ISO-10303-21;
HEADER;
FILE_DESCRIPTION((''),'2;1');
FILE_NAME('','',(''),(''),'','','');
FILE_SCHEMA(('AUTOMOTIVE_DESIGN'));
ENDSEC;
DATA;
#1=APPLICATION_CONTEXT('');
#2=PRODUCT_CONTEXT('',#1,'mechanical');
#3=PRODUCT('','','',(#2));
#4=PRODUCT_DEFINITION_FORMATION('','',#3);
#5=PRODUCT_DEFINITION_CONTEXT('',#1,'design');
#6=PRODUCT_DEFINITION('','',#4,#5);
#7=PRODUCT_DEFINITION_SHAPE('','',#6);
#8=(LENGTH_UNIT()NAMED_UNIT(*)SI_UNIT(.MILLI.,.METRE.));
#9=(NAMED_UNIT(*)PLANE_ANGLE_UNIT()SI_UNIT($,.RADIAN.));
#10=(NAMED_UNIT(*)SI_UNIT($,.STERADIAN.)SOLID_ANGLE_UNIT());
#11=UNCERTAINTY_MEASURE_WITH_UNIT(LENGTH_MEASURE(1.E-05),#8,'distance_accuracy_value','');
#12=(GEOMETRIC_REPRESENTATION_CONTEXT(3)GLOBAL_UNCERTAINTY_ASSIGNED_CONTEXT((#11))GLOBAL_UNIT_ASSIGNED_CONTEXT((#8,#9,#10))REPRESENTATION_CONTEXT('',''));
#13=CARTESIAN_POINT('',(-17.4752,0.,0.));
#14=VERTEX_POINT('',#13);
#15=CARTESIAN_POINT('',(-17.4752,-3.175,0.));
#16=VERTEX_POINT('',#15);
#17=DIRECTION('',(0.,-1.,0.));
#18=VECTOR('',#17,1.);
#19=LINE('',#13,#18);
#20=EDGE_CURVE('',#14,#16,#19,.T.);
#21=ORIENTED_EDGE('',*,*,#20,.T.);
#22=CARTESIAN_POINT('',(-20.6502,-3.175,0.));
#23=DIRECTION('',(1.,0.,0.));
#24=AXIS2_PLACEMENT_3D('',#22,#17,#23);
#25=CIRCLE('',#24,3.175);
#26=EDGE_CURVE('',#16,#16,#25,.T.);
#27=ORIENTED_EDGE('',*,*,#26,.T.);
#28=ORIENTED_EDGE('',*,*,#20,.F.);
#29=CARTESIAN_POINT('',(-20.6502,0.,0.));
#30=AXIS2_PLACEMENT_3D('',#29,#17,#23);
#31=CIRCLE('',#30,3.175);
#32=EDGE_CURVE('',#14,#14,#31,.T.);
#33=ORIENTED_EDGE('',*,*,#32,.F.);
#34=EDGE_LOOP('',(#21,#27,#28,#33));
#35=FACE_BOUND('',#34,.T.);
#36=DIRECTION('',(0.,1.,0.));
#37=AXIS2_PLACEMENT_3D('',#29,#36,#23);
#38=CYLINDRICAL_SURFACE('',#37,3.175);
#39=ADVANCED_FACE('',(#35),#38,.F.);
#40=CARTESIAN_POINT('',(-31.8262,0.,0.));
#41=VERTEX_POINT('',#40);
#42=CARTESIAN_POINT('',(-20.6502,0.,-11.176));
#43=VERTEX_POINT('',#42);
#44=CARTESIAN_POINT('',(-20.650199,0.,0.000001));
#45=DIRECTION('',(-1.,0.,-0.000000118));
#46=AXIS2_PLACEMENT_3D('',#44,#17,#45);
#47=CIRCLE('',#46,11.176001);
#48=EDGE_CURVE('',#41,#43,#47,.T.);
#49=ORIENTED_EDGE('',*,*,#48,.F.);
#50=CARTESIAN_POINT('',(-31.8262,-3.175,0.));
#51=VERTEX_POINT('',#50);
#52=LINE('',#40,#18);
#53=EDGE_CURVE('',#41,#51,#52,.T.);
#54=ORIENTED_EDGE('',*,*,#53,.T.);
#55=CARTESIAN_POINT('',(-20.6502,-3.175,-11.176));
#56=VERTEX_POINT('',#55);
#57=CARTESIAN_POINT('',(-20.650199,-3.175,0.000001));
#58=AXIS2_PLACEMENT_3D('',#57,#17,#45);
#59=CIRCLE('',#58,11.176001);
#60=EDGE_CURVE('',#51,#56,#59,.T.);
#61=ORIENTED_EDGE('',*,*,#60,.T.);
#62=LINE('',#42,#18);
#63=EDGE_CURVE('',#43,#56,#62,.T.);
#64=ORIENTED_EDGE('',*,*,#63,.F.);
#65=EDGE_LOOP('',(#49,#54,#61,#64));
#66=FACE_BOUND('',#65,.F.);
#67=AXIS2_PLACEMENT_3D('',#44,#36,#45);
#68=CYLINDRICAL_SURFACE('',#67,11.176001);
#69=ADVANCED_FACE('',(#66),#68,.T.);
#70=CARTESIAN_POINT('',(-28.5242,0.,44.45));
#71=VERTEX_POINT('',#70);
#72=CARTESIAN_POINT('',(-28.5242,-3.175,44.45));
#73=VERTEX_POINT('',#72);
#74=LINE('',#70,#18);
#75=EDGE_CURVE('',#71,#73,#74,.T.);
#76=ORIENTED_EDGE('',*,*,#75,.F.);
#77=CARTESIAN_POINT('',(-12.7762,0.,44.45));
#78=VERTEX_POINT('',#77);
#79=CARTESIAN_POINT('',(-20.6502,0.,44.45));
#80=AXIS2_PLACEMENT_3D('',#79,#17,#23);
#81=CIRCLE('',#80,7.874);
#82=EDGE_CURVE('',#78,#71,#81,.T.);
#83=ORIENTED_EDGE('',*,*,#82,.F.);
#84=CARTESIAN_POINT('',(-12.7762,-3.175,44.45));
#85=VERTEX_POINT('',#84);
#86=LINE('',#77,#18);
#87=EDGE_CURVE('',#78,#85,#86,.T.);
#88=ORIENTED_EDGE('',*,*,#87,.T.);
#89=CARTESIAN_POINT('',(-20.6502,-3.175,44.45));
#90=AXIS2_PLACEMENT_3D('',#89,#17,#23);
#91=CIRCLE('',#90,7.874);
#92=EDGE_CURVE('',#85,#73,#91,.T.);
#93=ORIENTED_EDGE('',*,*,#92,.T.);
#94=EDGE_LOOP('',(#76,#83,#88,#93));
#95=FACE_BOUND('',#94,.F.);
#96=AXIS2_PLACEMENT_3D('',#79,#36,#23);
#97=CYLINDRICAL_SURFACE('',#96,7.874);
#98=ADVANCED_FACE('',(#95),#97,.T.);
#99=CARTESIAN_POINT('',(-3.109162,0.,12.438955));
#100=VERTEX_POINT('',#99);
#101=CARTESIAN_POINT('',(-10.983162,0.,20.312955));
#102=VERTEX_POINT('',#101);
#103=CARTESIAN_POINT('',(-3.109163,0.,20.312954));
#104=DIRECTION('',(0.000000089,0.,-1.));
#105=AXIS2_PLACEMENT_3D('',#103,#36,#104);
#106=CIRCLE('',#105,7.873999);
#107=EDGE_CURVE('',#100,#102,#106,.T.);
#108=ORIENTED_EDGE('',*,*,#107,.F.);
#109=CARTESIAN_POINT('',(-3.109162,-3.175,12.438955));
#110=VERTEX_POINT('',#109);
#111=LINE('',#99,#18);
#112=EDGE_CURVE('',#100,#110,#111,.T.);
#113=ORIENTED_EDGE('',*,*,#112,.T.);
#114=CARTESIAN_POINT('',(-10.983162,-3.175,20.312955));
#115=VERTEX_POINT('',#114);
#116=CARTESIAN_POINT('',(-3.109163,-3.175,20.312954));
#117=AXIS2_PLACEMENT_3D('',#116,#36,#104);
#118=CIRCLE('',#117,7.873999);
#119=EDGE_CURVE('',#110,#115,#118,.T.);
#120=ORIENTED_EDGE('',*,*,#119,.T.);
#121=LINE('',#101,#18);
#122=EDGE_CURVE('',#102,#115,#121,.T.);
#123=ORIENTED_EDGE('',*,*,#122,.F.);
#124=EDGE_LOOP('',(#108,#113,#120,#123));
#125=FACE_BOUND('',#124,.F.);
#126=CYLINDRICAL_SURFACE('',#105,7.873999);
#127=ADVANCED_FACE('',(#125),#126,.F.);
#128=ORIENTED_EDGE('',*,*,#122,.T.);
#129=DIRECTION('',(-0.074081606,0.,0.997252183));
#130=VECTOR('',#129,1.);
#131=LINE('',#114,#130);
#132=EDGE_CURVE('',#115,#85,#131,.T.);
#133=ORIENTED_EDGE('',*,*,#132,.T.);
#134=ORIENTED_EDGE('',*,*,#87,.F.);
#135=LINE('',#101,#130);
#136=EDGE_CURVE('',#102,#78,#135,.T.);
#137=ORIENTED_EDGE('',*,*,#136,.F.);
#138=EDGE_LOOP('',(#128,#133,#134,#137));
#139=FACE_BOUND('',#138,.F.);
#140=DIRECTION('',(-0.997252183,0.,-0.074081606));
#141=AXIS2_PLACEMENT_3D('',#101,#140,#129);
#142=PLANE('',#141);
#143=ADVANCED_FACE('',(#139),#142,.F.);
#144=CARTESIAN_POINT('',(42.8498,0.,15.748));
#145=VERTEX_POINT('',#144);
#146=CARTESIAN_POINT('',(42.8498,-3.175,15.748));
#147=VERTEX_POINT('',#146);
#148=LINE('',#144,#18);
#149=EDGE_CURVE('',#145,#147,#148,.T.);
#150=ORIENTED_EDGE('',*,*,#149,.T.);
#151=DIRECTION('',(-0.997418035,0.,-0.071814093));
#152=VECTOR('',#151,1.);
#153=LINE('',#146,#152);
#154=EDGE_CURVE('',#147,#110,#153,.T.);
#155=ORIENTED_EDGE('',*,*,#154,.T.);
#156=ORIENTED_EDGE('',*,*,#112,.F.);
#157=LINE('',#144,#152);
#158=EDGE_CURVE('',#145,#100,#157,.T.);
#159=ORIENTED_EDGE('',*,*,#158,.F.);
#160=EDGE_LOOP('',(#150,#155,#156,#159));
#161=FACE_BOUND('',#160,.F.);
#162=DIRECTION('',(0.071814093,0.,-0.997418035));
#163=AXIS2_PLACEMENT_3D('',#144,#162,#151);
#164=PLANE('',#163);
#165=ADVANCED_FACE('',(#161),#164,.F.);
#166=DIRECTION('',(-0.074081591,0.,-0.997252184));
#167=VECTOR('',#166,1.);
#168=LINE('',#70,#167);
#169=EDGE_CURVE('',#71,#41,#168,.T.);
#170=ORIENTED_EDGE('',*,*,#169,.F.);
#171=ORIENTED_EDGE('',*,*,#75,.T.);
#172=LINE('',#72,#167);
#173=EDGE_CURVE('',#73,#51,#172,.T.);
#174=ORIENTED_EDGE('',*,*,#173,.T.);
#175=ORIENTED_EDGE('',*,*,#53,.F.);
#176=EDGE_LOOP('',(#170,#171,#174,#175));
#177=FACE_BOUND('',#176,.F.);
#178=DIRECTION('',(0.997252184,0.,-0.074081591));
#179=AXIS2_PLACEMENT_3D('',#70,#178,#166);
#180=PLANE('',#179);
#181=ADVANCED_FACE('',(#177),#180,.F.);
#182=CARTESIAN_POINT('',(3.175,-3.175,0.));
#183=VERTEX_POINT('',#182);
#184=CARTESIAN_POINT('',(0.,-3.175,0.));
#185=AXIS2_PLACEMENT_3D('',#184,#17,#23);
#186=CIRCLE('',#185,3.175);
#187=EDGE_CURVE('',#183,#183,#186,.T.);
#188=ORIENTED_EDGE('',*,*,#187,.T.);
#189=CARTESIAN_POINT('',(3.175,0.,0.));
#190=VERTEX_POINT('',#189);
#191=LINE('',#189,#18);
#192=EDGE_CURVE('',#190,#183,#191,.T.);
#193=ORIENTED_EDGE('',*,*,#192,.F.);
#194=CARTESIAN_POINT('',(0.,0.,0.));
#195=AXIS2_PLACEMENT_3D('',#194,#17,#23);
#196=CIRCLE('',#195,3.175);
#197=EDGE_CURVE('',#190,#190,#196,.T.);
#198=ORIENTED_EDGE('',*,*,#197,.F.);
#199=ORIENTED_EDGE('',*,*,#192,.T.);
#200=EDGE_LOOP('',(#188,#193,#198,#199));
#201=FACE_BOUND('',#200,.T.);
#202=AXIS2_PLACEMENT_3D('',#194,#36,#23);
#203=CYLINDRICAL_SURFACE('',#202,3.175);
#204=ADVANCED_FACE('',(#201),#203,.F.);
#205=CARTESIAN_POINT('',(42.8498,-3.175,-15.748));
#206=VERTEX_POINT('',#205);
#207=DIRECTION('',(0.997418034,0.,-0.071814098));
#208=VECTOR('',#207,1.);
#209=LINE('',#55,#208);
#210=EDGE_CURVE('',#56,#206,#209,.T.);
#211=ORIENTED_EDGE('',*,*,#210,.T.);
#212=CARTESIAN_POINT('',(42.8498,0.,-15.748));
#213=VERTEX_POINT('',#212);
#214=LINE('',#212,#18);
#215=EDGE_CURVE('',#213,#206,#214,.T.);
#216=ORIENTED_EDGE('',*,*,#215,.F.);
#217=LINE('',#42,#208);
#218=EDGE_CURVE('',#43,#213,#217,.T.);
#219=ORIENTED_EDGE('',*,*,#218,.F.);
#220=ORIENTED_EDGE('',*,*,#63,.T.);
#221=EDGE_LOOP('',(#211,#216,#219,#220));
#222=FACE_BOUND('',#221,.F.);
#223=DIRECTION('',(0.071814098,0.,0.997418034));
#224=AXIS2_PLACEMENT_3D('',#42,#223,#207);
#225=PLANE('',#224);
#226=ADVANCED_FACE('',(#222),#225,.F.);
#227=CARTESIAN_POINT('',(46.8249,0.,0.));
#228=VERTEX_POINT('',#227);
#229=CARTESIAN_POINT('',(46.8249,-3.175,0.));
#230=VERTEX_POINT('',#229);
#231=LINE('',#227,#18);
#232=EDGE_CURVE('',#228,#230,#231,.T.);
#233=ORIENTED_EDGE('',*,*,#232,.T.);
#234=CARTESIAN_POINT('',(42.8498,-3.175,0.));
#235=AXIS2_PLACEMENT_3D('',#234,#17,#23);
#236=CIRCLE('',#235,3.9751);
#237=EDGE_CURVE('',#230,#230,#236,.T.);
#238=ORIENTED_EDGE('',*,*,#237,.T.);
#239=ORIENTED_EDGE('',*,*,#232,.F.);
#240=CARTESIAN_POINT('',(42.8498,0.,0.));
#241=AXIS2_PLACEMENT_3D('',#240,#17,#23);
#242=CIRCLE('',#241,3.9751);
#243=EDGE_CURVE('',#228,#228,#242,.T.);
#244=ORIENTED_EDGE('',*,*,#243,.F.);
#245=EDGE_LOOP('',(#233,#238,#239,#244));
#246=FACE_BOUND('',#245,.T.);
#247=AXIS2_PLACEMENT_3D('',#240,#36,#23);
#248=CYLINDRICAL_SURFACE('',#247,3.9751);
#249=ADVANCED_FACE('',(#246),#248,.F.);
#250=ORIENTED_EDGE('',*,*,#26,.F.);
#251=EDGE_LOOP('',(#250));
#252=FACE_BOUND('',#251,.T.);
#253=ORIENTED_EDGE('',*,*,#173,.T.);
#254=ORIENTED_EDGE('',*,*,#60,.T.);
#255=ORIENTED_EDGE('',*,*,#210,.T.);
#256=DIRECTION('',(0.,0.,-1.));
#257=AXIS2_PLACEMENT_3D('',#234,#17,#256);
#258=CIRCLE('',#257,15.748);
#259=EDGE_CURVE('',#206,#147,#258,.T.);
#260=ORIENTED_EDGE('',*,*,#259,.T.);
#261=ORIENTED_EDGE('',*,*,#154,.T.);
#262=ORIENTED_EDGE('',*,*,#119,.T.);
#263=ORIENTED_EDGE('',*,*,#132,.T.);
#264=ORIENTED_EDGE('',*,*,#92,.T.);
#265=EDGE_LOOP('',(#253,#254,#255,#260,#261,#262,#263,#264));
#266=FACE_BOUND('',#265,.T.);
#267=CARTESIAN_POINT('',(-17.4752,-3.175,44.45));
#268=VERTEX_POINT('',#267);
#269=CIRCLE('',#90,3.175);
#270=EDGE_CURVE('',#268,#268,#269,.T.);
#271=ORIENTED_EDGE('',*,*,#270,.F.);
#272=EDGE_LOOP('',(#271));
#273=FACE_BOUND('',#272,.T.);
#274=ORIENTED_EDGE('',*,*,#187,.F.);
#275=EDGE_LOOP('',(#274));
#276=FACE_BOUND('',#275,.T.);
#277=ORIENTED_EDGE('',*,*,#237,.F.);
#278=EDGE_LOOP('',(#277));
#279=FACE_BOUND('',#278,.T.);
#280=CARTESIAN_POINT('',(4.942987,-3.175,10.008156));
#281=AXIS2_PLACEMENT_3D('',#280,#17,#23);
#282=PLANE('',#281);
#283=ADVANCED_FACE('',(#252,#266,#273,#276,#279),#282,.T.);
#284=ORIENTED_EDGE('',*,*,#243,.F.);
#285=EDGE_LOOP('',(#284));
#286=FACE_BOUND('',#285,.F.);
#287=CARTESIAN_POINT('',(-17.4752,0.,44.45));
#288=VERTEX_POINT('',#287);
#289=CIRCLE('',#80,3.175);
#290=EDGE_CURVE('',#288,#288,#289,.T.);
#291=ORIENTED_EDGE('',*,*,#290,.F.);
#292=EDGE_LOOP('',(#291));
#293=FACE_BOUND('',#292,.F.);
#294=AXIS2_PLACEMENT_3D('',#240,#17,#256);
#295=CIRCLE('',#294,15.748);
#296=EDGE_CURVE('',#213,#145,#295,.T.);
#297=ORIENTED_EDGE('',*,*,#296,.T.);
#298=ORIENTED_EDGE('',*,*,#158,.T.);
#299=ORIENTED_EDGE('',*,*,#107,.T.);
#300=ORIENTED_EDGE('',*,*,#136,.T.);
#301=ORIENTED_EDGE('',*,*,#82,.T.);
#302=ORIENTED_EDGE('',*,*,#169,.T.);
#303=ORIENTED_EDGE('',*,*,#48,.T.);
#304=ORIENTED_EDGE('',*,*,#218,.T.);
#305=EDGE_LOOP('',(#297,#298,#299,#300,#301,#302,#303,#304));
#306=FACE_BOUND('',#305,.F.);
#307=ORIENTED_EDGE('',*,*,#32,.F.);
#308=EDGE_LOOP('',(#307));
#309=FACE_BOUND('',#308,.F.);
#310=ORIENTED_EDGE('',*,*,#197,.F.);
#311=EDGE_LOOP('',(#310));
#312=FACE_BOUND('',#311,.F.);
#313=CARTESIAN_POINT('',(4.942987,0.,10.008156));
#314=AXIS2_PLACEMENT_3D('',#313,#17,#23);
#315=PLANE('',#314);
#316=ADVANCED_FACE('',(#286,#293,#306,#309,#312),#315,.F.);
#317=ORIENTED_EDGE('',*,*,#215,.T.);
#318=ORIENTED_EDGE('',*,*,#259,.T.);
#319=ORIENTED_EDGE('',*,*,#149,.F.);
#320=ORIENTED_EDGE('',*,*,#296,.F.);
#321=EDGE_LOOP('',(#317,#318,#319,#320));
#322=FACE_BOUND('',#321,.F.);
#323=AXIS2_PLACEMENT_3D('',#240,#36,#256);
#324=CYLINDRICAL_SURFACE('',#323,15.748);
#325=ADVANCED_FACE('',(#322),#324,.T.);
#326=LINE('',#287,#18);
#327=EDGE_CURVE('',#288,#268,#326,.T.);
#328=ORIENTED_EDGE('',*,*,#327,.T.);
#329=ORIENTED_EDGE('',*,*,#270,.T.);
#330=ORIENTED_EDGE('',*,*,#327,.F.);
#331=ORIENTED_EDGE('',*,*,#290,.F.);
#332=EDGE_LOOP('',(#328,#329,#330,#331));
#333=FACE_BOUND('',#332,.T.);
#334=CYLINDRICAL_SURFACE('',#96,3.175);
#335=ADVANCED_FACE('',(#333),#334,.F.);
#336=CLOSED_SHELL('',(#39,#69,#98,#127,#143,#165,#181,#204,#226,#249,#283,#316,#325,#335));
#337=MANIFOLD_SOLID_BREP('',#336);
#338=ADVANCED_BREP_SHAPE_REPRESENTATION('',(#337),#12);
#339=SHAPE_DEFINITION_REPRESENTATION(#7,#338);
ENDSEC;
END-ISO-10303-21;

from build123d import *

# Parameters (mm, degrees)
F0_R     = 3.175
F0_R_2   = 3.9751
F1_DEPTH = 3.175


with BuildPart() as f1:
    # F0 (on Front) → F1 (new body)
    with BuildSketch(Plane.XZ):
        with BuildLine():
            ThreePointArc((-12.7762, 44.45), (-20.6502, 52.324), (-28.5242, 44.45))
            Line((-28.5242, 44.45), (-31.8262, 0))
            ThreePointArc((-31.8262, 0), (-28.552825, -7.902625), (-20.6502, -11.176))
            Line((-20.6502, -11.176), (42.8498, -15.748))
            ThreePointArc((42.8498, -15.748), (58.5978, 0), (42.8498, 15.748))
            Line((42.8498, 15.748), (-3.109162, 12.438955))
            ThreePointArc((-3.109162, 12.438955), (-8.676921, 14.745196), (-10.983162, 20.312955))
            Line((-10.983162, 20.312955), (-12.7762, 44.45))
        make_face()
        with Locations((-20.6502, 0)):
            Circle(F0_R, mode=Mode.SUBTRACT)
        Circle(F0_R, mode=Mode.SUBTRACT)
        with Locations((42.8498, 0)):
            Circle(F0_R_2, mode=Mode.SUBTRACT)
        with Locations((-20.6502, 44.45)):
            Circle(F0_R, mode=Mode.SUBTRACT)
    extrude(amount=F1_DEPTH)


solid = f1.part
